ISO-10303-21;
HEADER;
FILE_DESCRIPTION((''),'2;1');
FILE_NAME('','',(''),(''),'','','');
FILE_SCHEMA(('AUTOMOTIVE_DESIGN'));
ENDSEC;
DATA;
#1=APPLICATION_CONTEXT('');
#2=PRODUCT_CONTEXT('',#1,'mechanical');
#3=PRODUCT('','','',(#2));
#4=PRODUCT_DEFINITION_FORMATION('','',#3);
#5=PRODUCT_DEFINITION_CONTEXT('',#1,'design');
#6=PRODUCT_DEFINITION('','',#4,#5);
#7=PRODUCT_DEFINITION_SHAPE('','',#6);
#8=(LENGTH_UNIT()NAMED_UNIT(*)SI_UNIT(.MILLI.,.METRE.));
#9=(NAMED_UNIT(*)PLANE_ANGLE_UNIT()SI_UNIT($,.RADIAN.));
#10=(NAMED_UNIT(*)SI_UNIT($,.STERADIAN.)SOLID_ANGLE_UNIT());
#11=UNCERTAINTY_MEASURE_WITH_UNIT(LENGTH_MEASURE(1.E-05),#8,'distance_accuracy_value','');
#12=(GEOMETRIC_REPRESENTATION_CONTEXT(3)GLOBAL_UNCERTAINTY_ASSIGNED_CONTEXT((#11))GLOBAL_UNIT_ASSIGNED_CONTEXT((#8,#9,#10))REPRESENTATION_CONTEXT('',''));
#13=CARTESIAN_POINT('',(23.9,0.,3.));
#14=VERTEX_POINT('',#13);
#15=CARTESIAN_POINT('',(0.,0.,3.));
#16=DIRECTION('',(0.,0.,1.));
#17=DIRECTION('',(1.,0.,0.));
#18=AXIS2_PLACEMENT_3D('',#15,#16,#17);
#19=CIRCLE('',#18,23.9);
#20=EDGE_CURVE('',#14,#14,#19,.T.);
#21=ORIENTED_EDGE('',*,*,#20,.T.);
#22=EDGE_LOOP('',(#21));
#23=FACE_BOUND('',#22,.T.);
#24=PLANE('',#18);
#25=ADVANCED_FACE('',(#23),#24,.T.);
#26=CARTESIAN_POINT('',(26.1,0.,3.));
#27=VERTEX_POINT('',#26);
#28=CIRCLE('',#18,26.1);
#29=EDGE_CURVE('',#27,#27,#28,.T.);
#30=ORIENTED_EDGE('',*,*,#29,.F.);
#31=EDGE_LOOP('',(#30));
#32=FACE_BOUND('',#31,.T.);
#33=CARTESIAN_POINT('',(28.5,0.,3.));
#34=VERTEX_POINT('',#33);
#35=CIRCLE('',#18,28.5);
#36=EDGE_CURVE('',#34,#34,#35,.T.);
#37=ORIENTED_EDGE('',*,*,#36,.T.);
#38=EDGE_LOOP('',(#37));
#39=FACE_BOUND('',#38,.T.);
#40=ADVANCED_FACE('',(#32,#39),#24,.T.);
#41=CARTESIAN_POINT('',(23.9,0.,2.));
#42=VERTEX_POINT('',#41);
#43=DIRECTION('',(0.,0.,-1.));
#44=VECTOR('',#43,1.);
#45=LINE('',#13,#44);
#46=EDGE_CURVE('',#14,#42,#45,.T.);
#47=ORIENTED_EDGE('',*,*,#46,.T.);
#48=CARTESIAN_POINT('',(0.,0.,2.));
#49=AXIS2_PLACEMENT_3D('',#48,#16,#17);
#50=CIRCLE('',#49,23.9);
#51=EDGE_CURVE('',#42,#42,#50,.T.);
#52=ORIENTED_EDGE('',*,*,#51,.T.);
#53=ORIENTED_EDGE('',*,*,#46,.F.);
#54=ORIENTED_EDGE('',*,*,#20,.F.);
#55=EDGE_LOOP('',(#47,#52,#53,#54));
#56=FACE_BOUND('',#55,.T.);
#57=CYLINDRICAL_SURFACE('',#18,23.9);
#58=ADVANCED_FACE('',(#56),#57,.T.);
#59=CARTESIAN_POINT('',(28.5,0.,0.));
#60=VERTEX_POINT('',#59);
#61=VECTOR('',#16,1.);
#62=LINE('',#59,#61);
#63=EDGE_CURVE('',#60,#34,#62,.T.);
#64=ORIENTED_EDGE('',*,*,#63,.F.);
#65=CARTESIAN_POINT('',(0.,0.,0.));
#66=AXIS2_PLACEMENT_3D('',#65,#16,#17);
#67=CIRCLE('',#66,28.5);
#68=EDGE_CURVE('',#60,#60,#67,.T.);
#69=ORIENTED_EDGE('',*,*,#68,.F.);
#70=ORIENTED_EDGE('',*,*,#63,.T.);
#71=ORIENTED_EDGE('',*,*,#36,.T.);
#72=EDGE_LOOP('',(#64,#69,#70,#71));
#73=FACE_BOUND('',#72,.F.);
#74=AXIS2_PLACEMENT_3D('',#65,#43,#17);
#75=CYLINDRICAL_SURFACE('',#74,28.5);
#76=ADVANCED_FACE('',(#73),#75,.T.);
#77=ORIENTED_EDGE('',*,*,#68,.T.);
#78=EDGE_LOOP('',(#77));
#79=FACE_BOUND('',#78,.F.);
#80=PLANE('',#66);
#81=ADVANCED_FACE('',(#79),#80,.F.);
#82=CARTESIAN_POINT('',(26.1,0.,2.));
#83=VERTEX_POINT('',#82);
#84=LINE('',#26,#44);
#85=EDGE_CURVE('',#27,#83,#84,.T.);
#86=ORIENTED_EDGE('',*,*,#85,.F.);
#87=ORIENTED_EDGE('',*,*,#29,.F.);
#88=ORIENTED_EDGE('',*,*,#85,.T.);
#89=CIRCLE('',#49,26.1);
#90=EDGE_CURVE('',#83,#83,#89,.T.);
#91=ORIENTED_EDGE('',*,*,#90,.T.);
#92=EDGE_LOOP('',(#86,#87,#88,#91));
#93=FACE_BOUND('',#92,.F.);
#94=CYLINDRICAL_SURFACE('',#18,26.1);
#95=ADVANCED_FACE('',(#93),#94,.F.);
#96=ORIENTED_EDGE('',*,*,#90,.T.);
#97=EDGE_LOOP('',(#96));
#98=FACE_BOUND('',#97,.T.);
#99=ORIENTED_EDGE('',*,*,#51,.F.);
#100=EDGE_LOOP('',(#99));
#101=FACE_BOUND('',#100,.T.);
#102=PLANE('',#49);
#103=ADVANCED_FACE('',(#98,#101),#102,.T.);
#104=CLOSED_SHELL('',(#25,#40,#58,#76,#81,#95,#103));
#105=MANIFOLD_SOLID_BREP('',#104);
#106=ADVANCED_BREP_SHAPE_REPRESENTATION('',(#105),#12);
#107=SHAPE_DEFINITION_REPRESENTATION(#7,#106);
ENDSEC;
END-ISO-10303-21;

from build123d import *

# Parameters (mm, degrees)
F0_R     = 28.5
F1_DEPTH = 3
F2_R     = 26.1
F2_R_2   = 23.9
F3_DEPTH = 1


with BuildPart() as f1:
    # F0 (on Top) → F1 (new body)
    with BuildSketch(Plane.XY):
        Circle(F0_R)
    extrude(amount=F1_DEPTH)

    # F2 (on face) → F3 (cut)
    with BuildSketch(Plane.XY.offset(3)):
        Circle(F2_R)
        Circle(F2_R_2, mode=Mode.SUBTRACT)
    extrude(amount=-F3_DEPTH, mode=Mode.SUBTRACT)


solid = f1.part
